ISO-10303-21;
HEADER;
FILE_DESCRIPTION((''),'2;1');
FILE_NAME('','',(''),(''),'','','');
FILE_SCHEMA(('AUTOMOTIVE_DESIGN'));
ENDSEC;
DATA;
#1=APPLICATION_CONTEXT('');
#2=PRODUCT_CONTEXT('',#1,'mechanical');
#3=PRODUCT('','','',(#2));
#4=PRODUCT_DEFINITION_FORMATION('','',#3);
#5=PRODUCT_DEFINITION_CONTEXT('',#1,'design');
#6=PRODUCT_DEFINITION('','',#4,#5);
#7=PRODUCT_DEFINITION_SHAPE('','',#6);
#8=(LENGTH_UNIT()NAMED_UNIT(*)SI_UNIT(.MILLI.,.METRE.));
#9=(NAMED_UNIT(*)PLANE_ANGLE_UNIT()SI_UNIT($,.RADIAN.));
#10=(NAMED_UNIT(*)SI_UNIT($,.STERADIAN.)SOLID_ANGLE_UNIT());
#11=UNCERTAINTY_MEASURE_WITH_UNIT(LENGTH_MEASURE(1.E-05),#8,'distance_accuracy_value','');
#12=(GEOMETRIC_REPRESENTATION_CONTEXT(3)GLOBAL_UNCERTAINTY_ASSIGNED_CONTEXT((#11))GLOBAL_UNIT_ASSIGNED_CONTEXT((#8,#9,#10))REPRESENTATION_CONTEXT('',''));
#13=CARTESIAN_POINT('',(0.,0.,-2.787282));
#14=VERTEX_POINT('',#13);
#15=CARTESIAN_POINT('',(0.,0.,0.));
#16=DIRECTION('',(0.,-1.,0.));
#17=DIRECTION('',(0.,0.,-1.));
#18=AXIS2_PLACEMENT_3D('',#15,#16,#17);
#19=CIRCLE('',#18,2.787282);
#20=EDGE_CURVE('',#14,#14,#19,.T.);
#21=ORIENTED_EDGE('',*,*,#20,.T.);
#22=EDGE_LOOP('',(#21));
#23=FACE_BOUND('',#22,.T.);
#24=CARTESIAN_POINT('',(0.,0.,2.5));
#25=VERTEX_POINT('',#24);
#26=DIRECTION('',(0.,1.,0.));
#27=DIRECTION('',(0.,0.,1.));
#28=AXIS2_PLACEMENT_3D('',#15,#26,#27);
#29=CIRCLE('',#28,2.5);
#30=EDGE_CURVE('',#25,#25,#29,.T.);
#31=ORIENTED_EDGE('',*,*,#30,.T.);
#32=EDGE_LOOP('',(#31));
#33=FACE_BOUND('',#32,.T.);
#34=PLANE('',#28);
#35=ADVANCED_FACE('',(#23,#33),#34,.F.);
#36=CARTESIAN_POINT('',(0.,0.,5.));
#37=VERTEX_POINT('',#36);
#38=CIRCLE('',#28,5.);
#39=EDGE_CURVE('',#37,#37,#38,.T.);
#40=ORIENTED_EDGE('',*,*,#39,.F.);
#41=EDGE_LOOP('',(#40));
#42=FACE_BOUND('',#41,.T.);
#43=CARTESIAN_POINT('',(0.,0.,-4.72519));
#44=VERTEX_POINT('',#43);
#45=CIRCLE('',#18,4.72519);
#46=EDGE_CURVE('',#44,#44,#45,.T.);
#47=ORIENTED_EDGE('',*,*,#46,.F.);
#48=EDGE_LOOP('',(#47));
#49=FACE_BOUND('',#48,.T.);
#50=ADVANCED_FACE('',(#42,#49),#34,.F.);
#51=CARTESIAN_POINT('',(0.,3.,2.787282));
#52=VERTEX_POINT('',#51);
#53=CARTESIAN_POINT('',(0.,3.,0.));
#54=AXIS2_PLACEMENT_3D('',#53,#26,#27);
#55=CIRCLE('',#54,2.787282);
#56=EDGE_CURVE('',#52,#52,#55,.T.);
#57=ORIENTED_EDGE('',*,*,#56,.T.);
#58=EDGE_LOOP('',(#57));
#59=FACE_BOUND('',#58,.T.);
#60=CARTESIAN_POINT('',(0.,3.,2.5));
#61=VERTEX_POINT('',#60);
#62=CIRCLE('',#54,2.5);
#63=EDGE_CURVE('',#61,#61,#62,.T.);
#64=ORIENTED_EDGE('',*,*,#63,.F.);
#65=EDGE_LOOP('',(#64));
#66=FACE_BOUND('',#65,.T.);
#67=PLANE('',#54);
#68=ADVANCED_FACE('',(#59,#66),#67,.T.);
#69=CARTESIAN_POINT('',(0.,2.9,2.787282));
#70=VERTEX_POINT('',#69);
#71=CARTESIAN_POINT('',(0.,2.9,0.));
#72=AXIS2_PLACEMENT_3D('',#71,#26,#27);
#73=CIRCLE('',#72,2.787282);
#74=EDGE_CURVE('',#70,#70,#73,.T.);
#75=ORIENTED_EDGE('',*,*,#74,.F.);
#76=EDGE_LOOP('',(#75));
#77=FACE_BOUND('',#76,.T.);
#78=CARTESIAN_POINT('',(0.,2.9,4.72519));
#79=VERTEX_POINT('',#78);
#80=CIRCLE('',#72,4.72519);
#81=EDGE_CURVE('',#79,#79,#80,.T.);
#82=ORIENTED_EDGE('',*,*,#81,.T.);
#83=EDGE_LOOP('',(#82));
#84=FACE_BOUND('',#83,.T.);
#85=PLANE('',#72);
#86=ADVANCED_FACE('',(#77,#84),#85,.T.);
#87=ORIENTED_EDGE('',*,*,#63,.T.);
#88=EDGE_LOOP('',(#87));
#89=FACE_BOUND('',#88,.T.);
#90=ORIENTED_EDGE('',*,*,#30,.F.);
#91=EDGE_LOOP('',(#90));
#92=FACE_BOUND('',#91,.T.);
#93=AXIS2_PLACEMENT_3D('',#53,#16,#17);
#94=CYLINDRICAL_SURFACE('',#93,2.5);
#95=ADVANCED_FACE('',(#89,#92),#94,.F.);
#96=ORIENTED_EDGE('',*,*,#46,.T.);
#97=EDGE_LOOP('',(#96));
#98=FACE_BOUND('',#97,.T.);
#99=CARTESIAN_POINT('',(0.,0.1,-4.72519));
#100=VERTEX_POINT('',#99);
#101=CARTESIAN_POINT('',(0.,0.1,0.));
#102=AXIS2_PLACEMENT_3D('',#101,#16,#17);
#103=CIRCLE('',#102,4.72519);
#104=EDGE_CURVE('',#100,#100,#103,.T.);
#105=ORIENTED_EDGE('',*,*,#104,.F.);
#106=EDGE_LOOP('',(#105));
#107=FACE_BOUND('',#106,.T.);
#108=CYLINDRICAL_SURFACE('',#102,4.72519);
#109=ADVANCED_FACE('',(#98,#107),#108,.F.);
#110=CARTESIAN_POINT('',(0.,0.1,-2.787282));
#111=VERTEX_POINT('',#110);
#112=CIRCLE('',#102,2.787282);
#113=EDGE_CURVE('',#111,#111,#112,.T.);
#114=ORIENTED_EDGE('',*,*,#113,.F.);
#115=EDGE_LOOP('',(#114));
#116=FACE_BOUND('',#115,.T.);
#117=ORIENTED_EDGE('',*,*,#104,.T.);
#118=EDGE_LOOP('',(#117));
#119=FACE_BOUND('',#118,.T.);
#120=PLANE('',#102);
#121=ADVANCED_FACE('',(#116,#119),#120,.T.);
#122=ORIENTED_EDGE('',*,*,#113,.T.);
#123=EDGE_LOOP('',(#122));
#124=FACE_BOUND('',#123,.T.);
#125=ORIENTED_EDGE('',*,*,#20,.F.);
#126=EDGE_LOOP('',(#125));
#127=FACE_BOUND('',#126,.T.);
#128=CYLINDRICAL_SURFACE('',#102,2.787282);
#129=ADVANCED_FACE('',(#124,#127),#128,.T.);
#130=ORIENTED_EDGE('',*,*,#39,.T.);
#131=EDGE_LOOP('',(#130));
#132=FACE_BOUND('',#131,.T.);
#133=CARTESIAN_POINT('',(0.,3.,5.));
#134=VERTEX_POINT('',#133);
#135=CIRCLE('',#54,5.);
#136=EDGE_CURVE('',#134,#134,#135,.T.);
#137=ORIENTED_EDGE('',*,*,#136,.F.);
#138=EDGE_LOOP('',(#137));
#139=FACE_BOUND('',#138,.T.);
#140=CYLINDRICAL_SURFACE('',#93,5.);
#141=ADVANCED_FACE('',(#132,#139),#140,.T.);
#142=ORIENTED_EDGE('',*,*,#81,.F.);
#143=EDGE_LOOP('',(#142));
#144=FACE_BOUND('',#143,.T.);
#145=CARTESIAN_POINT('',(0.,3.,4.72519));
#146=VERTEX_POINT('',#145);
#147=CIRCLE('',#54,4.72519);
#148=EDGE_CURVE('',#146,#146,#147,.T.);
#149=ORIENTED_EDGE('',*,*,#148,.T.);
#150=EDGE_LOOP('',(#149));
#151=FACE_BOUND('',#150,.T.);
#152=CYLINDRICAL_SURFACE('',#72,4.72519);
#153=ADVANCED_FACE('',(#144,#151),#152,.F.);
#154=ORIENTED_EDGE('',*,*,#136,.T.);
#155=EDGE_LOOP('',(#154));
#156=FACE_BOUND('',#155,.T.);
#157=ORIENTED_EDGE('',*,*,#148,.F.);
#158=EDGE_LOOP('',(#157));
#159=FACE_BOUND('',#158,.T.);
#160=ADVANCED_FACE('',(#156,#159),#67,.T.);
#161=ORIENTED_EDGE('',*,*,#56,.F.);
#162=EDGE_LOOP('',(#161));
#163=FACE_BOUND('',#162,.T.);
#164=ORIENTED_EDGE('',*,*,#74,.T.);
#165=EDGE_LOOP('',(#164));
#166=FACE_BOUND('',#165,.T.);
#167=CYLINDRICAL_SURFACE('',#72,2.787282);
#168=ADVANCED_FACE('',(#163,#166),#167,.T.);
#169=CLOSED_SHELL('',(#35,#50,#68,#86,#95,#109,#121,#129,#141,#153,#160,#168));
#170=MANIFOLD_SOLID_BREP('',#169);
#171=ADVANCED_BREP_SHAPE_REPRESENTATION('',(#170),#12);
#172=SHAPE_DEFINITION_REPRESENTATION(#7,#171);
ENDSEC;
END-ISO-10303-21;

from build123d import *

# Parameters (mm, degrees)
SKETCH1_R           = 5
SKETCH1_R_2         = 2.5
BOSS_EXTRUDE1_DEPTH = 3
SKETCH2_R           = 4.725189579
SKETCH2_R_2         = 2.787282072
CUT_EXTRUDE1_DEPTH  = 0.1
CUT_EXTRUDE2_START  = -0.1
SKETCH3_R           = 4.725189579
SKETCH3_R_2         = 2.787282072
CUT_EXTRUDE2_DEPTH  = 0.1


with BuildPart() as part:
    # Sketch1 → Boss-Extrude1 (new body)
    with BuildSketch(Plane(origin=(0, 0, 0), x_dir=(1, 0, 0), z_dir=(0, 1, 0))):
        with Locations(Location((0, 0, 0), (0, 0, 270))):
            Circle(SKETCH1_R)
        with Locations(Location((0, 0, 0), (0, 0, 270))):
            Circle(SKETCH1_R_2, mode=Mode.SUBTRACT)
    extrude(amount=BOSS_EXTRUDE1_DEPTH)

    # Sketch2 → Cut-Extrude1 (cut)
    with BuildSketch(Plane.XZ):
        with Locations(Location((0, 0, 0), (0, 0, 270))):
            Circle(SKETCH2_R)
        with Locations(Location((0, 0, 0), (0, 0, 270))):
            Circle(SKETCH2_R_2, mode=Mode.SUBTRACT)
    extrude(amount=-CUT_EXTRUDE1_DEPTH, mode=Mode.SUBTRACT)

    # Sketch3 → Cut-Extrude2 (cut)
    with BuildSketch(Plane(origin=(0, 3, 0), x_dir=(1, 0, 0), z_dir=(0, 1, 0)).offset(CUT_EXTRUDE2_START)):
        with Locations(Location((0, 0, 0), (0, 0, 90))):
            Circle(SKETCH3_R)
        with Locations(Location((0, 0, 0), (0, 0, 90))):
            Circle(SKETCH3_R_2, mode=Mode.SUBTRACT)
    extrude(amount=CUT_EXTRUDE2_DEPTH, mode=Mode.SUBTRACT)


solid = part.part
